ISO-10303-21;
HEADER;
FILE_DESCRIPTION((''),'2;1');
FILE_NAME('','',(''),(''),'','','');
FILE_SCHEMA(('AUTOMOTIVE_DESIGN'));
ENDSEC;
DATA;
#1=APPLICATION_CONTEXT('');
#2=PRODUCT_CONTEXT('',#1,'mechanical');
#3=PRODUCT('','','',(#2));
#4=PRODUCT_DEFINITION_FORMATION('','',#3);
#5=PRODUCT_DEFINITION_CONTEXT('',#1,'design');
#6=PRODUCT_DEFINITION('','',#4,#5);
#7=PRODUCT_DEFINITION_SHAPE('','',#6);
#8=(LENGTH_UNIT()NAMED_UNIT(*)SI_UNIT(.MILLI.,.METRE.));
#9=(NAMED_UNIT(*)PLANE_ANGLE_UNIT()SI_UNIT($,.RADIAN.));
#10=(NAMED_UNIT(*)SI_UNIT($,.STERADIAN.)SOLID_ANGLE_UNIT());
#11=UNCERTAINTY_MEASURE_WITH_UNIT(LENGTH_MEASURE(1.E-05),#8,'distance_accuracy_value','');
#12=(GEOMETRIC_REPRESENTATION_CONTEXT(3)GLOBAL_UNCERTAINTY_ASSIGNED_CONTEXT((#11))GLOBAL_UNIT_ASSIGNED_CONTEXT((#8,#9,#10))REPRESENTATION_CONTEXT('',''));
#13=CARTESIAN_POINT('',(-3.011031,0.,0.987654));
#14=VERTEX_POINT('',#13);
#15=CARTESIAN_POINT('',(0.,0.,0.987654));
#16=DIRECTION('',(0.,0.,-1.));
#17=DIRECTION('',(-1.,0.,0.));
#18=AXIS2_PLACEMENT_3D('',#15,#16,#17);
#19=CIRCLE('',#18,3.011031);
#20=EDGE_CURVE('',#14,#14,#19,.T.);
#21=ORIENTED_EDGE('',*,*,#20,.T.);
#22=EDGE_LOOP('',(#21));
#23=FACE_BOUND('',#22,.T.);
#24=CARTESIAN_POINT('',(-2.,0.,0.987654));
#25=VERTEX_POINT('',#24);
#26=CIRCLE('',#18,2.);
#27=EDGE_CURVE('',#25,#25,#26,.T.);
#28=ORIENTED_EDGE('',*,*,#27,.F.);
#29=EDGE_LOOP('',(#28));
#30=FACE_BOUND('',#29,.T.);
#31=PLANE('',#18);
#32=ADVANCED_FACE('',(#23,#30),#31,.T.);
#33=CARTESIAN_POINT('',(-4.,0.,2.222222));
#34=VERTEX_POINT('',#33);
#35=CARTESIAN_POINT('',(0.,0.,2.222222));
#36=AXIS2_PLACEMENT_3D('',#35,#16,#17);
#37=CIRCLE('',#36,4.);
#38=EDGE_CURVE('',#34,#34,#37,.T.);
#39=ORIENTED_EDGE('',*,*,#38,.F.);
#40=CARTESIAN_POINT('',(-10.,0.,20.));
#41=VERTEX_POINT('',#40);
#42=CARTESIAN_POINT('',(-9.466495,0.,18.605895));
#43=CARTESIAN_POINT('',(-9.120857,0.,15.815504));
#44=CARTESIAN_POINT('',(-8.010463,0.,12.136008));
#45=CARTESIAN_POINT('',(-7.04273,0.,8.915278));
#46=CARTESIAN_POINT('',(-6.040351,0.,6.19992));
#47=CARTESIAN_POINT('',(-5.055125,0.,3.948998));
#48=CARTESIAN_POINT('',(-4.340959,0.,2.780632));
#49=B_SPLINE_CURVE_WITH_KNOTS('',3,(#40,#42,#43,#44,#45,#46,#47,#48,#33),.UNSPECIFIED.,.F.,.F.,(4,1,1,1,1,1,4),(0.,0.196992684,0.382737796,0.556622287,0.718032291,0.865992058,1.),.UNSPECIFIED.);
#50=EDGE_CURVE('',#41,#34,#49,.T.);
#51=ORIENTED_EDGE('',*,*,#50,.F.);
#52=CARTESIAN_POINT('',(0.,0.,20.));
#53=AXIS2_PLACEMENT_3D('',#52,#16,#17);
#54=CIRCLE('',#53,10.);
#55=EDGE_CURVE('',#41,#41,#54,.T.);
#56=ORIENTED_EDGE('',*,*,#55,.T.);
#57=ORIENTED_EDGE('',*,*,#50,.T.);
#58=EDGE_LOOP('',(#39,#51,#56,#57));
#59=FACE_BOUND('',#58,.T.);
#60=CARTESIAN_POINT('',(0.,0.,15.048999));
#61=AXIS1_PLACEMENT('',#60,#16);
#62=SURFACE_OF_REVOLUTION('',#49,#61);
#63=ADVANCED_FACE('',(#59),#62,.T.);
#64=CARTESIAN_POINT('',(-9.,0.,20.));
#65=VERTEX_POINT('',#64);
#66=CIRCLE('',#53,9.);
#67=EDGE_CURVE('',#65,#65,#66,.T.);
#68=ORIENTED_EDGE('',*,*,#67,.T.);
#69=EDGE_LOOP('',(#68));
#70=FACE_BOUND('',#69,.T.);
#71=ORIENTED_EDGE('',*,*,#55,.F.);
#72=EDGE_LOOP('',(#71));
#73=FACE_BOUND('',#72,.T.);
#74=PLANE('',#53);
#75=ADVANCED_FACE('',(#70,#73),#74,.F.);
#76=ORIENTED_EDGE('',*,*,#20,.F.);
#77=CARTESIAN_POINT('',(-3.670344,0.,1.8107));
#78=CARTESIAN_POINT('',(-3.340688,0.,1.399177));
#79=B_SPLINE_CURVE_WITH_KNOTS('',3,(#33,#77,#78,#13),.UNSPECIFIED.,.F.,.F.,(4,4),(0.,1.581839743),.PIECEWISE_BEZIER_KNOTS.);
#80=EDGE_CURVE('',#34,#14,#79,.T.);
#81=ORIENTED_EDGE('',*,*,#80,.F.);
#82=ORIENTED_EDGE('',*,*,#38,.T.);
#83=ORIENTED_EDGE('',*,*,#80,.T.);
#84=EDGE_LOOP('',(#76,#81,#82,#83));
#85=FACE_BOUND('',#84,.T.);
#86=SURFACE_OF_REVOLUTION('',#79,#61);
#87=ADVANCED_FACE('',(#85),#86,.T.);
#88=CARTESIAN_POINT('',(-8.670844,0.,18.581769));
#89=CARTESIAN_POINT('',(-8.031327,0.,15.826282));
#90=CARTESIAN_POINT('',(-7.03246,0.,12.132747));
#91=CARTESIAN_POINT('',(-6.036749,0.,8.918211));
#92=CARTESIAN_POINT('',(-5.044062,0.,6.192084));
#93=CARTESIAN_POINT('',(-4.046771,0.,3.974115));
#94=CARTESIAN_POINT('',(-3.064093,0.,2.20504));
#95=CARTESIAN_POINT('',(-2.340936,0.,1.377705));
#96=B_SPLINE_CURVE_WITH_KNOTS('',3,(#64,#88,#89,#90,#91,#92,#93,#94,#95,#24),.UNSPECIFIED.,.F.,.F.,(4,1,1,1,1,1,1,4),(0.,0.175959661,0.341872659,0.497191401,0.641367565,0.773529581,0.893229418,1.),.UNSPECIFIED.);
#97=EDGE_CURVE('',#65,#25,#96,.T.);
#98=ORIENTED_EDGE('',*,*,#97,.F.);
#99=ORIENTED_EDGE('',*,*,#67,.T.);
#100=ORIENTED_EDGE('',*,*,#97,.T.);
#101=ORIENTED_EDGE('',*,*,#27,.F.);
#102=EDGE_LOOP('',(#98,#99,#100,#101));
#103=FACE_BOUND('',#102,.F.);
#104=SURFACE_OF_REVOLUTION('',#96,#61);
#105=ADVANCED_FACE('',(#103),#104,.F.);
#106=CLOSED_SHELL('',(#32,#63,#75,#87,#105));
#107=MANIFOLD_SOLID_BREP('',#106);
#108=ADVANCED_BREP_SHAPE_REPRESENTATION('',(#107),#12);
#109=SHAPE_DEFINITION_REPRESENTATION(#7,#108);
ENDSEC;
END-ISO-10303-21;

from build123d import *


with BuildPart() as f1:
    # F0 (on Front) → F1 (revolve)
    with BuildSketch(Plane.XZ):
        with BuildLine():
            add(Edge.make_bspline(
                [(-9, 20), (-8.670844358, 18.5817686732), (-8.0313266757, 15.8262819209), (-7.0324600016, 12.1327471011), (-6.0367487674, 8.9182112694), (-5.0440619587, 6.1920837626), (-4.0467708098, 3.9741148234), (-3.0640927686, 2.2050396132), (-2.3409358517, 1.3777051734), (-2, 0.987654321)],
                knots=[0, 0, 0, 0, 0.1759596608, 0.3418726586, 0.4971914011, 0.6413675649, 0.7735295815, 0.8932294178, 1, 1, 1, 1], degree=3))
            Line((-9, 20), (-10, 20))
            add(Edge.make_bspline(
                [(-10, 20), (-9.4664952795, 18.6058950283), (-9.1208569218, 15.8155038743), (-8.0104630492, 12.136008183), (-7.0427295602, 8.9152778857), (-6.0403511603, 6.1999197735), (-5.0551253221, 3.9489975858), (-4.3409591422, 2.7806319444), (-4, 2.222222222)],
                knots=[0, 0, 0, 0, 0.1969926844, 0.3827377959, 0.5566222867, 0.7180322906, 0.8659920576, 1, 1, 1, 1], degree=3))
            add(Edge.make_bspline(
                [(-4, 2.222222222), (-3.6703437697, 1.8106995883), (-3.3406875394, 1.3991769547), (-3.0110313091, 0.987654321)],
                knots=[0, 0, 0, 0, 1.5818397434, 1.5818397434, 1.5818397434, 1.5818397434], degree=3))
            Line((-3.0110313091, 0.987654321), (-2, 0.987654321))
        make_face()
    revolve(axis=Axis((0, 0, 15.0489988737), (0, 0, -1)))


solid = f1.part
